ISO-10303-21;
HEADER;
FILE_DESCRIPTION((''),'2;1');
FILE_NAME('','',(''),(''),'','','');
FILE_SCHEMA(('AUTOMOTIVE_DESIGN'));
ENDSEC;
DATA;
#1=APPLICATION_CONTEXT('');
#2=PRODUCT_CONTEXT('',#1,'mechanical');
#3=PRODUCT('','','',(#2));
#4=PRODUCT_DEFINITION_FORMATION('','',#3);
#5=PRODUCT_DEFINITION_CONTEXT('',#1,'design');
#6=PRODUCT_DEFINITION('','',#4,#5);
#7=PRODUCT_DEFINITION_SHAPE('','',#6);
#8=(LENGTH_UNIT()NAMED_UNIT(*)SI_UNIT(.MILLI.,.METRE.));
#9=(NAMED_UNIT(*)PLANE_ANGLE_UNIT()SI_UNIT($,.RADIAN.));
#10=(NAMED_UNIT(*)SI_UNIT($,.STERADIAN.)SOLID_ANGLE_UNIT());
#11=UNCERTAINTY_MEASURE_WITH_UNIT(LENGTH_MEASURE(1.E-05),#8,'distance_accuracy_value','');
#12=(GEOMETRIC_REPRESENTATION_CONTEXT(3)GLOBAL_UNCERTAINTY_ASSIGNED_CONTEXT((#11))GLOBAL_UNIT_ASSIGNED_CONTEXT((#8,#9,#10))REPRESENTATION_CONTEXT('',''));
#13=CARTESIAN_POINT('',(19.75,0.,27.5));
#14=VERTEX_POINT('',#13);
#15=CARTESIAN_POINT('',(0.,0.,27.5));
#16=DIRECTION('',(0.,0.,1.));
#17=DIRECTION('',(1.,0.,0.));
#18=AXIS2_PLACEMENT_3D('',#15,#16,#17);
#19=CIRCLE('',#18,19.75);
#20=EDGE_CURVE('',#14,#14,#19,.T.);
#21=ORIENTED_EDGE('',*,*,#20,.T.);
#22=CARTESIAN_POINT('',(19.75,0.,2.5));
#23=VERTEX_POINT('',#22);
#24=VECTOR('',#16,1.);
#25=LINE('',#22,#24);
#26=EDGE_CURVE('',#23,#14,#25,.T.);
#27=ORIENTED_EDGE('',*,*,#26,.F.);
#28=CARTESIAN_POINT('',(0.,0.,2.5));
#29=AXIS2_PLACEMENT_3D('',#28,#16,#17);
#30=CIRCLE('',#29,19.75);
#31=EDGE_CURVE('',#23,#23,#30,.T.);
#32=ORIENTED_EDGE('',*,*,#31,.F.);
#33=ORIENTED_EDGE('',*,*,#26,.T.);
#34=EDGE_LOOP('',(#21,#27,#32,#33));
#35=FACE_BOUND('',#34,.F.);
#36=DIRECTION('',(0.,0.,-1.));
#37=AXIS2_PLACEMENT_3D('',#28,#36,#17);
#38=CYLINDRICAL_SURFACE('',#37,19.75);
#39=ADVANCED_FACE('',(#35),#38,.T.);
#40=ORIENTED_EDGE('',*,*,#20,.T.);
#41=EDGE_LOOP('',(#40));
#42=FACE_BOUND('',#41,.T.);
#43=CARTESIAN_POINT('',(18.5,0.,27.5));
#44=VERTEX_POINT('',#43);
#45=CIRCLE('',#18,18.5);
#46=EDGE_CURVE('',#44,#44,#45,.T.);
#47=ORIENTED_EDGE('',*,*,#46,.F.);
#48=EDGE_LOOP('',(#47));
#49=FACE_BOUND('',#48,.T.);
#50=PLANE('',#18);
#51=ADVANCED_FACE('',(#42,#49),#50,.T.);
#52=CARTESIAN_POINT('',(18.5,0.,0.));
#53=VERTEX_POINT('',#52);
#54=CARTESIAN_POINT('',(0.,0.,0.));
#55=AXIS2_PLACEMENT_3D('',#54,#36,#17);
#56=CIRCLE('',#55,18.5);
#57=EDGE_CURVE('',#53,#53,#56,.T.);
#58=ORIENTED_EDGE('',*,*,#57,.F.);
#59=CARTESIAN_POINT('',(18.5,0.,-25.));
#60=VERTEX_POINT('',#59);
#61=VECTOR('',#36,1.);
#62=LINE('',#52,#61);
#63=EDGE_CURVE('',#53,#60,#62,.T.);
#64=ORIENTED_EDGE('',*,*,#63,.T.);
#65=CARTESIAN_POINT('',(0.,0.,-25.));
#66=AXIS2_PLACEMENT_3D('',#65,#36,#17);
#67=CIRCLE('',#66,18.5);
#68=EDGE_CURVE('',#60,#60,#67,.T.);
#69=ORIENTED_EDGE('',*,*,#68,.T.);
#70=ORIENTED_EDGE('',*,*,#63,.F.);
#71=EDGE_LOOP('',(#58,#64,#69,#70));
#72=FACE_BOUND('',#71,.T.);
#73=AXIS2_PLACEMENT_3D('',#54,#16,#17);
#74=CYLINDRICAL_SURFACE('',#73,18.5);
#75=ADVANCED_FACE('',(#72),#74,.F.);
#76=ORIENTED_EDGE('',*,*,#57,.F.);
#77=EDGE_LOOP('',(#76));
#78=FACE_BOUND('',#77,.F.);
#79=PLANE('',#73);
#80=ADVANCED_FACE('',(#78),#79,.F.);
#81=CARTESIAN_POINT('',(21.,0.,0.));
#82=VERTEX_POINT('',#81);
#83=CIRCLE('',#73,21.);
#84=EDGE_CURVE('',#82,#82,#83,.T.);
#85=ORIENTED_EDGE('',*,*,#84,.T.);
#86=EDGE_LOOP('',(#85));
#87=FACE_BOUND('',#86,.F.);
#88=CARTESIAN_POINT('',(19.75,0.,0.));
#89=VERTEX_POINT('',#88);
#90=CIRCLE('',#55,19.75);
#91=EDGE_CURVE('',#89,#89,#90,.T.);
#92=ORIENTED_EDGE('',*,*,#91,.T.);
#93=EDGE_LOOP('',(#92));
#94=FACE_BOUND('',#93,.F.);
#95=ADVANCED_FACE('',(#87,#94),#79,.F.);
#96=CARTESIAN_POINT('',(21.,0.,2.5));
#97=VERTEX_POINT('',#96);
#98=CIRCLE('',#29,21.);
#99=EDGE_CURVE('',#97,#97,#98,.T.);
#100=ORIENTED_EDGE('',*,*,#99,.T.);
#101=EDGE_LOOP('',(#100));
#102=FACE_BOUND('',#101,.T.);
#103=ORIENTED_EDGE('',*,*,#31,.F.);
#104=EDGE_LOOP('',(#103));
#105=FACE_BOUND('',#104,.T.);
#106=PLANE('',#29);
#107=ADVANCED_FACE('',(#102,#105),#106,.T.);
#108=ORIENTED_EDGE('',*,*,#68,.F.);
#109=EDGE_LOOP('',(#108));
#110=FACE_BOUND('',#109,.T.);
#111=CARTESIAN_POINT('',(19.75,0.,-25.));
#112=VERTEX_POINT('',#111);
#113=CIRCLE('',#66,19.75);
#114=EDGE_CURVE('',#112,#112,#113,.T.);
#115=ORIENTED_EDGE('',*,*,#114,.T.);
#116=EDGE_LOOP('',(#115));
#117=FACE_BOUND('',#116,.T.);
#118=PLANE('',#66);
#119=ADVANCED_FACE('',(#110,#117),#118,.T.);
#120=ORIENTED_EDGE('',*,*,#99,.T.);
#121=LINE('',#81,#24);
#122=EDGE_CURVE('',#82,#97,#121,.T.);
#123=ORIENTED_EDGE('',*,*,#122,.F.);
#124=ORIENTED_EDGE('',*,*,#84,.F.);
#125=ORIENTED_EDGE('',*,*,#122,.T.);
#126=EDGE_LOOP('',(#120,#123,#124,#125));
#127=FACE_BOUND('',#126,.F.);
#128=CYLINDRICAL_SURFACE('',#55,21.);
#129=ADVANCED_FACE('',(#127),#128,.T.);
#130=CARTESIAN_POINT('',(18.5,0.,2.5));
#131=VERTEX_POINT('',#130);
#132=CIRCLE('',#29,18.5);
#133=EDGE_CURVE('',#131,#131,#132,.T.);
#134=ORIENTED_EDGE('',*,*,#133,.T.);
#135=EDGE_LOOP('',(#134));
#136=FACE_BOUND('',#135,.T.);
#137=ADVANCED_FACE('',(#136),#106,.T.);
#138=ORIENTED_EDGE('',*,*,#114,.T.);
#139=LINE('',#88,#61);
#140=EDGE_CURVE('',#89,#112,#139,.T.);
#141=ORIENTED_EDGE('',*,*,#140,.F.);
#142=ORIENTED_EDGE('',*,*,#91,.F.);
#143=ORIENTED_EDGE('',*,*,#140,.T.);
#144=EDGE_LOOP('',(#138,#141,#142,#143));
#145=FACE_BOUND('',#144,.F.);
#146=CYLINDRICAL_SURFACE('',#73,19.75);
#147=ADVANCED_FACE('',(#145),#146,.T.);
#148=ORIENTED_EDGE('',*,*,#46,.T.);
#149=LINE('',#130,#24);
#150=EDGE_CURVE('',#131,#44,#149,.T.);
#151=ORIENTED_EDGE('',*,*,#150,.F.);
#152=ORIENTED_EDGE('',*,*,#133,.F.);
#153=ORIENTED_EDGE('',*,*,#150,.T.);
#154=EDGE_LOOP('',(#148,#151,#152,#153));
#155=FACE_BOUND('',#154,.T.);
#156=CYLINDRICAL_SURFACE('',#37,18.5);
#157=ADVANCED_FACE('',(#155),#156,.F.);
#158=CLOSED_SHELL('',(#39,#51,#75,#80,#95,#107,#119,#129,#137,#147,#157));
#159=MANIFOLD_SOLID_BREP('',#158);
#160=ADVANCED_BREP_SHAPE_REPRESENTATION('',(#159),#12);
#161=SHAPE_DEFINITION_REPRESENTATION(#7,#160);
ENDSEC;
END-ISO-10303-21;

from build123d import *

# Parameters (mm, degrees)
F0_R     = 21
F1_DEPTH = 2.5
F3_R     = 19.75
F3_R_2   = 18.5
F4_DEPTH = 25
F6_R     = 19.75
F6_R_2   = 18.5
F7_DEPTH = 25


with BuildPart() as f1:
    # F0 (on Top) → F1 (new body)
    with BuildSketch(Plane.XY):
        Circle(F0_R)
    extrude(amount=F1_DEPTH)

    # F3 (on face) → F4 (join)
    with BuildSketch(Plane(origin=(0, 0, 0), x_dir=(1, 0, 0), z_dir=(0, 0, -1))):
        Circle(F3_R)
        Circle(F3_R_2, mode=Mode.SUBTRACT)
    extrude(amount=F4_DEPTH)

    # F6 (on face) → F7 (join)
    with BuildSketch(Plane.XY.offset(2.5)):
        Circle(F6_R)
        Circle(F6_R_2, mode=Mode.SUBTRACT)
    extrude(amount=F7_DEPTH)


solid = f1.part
